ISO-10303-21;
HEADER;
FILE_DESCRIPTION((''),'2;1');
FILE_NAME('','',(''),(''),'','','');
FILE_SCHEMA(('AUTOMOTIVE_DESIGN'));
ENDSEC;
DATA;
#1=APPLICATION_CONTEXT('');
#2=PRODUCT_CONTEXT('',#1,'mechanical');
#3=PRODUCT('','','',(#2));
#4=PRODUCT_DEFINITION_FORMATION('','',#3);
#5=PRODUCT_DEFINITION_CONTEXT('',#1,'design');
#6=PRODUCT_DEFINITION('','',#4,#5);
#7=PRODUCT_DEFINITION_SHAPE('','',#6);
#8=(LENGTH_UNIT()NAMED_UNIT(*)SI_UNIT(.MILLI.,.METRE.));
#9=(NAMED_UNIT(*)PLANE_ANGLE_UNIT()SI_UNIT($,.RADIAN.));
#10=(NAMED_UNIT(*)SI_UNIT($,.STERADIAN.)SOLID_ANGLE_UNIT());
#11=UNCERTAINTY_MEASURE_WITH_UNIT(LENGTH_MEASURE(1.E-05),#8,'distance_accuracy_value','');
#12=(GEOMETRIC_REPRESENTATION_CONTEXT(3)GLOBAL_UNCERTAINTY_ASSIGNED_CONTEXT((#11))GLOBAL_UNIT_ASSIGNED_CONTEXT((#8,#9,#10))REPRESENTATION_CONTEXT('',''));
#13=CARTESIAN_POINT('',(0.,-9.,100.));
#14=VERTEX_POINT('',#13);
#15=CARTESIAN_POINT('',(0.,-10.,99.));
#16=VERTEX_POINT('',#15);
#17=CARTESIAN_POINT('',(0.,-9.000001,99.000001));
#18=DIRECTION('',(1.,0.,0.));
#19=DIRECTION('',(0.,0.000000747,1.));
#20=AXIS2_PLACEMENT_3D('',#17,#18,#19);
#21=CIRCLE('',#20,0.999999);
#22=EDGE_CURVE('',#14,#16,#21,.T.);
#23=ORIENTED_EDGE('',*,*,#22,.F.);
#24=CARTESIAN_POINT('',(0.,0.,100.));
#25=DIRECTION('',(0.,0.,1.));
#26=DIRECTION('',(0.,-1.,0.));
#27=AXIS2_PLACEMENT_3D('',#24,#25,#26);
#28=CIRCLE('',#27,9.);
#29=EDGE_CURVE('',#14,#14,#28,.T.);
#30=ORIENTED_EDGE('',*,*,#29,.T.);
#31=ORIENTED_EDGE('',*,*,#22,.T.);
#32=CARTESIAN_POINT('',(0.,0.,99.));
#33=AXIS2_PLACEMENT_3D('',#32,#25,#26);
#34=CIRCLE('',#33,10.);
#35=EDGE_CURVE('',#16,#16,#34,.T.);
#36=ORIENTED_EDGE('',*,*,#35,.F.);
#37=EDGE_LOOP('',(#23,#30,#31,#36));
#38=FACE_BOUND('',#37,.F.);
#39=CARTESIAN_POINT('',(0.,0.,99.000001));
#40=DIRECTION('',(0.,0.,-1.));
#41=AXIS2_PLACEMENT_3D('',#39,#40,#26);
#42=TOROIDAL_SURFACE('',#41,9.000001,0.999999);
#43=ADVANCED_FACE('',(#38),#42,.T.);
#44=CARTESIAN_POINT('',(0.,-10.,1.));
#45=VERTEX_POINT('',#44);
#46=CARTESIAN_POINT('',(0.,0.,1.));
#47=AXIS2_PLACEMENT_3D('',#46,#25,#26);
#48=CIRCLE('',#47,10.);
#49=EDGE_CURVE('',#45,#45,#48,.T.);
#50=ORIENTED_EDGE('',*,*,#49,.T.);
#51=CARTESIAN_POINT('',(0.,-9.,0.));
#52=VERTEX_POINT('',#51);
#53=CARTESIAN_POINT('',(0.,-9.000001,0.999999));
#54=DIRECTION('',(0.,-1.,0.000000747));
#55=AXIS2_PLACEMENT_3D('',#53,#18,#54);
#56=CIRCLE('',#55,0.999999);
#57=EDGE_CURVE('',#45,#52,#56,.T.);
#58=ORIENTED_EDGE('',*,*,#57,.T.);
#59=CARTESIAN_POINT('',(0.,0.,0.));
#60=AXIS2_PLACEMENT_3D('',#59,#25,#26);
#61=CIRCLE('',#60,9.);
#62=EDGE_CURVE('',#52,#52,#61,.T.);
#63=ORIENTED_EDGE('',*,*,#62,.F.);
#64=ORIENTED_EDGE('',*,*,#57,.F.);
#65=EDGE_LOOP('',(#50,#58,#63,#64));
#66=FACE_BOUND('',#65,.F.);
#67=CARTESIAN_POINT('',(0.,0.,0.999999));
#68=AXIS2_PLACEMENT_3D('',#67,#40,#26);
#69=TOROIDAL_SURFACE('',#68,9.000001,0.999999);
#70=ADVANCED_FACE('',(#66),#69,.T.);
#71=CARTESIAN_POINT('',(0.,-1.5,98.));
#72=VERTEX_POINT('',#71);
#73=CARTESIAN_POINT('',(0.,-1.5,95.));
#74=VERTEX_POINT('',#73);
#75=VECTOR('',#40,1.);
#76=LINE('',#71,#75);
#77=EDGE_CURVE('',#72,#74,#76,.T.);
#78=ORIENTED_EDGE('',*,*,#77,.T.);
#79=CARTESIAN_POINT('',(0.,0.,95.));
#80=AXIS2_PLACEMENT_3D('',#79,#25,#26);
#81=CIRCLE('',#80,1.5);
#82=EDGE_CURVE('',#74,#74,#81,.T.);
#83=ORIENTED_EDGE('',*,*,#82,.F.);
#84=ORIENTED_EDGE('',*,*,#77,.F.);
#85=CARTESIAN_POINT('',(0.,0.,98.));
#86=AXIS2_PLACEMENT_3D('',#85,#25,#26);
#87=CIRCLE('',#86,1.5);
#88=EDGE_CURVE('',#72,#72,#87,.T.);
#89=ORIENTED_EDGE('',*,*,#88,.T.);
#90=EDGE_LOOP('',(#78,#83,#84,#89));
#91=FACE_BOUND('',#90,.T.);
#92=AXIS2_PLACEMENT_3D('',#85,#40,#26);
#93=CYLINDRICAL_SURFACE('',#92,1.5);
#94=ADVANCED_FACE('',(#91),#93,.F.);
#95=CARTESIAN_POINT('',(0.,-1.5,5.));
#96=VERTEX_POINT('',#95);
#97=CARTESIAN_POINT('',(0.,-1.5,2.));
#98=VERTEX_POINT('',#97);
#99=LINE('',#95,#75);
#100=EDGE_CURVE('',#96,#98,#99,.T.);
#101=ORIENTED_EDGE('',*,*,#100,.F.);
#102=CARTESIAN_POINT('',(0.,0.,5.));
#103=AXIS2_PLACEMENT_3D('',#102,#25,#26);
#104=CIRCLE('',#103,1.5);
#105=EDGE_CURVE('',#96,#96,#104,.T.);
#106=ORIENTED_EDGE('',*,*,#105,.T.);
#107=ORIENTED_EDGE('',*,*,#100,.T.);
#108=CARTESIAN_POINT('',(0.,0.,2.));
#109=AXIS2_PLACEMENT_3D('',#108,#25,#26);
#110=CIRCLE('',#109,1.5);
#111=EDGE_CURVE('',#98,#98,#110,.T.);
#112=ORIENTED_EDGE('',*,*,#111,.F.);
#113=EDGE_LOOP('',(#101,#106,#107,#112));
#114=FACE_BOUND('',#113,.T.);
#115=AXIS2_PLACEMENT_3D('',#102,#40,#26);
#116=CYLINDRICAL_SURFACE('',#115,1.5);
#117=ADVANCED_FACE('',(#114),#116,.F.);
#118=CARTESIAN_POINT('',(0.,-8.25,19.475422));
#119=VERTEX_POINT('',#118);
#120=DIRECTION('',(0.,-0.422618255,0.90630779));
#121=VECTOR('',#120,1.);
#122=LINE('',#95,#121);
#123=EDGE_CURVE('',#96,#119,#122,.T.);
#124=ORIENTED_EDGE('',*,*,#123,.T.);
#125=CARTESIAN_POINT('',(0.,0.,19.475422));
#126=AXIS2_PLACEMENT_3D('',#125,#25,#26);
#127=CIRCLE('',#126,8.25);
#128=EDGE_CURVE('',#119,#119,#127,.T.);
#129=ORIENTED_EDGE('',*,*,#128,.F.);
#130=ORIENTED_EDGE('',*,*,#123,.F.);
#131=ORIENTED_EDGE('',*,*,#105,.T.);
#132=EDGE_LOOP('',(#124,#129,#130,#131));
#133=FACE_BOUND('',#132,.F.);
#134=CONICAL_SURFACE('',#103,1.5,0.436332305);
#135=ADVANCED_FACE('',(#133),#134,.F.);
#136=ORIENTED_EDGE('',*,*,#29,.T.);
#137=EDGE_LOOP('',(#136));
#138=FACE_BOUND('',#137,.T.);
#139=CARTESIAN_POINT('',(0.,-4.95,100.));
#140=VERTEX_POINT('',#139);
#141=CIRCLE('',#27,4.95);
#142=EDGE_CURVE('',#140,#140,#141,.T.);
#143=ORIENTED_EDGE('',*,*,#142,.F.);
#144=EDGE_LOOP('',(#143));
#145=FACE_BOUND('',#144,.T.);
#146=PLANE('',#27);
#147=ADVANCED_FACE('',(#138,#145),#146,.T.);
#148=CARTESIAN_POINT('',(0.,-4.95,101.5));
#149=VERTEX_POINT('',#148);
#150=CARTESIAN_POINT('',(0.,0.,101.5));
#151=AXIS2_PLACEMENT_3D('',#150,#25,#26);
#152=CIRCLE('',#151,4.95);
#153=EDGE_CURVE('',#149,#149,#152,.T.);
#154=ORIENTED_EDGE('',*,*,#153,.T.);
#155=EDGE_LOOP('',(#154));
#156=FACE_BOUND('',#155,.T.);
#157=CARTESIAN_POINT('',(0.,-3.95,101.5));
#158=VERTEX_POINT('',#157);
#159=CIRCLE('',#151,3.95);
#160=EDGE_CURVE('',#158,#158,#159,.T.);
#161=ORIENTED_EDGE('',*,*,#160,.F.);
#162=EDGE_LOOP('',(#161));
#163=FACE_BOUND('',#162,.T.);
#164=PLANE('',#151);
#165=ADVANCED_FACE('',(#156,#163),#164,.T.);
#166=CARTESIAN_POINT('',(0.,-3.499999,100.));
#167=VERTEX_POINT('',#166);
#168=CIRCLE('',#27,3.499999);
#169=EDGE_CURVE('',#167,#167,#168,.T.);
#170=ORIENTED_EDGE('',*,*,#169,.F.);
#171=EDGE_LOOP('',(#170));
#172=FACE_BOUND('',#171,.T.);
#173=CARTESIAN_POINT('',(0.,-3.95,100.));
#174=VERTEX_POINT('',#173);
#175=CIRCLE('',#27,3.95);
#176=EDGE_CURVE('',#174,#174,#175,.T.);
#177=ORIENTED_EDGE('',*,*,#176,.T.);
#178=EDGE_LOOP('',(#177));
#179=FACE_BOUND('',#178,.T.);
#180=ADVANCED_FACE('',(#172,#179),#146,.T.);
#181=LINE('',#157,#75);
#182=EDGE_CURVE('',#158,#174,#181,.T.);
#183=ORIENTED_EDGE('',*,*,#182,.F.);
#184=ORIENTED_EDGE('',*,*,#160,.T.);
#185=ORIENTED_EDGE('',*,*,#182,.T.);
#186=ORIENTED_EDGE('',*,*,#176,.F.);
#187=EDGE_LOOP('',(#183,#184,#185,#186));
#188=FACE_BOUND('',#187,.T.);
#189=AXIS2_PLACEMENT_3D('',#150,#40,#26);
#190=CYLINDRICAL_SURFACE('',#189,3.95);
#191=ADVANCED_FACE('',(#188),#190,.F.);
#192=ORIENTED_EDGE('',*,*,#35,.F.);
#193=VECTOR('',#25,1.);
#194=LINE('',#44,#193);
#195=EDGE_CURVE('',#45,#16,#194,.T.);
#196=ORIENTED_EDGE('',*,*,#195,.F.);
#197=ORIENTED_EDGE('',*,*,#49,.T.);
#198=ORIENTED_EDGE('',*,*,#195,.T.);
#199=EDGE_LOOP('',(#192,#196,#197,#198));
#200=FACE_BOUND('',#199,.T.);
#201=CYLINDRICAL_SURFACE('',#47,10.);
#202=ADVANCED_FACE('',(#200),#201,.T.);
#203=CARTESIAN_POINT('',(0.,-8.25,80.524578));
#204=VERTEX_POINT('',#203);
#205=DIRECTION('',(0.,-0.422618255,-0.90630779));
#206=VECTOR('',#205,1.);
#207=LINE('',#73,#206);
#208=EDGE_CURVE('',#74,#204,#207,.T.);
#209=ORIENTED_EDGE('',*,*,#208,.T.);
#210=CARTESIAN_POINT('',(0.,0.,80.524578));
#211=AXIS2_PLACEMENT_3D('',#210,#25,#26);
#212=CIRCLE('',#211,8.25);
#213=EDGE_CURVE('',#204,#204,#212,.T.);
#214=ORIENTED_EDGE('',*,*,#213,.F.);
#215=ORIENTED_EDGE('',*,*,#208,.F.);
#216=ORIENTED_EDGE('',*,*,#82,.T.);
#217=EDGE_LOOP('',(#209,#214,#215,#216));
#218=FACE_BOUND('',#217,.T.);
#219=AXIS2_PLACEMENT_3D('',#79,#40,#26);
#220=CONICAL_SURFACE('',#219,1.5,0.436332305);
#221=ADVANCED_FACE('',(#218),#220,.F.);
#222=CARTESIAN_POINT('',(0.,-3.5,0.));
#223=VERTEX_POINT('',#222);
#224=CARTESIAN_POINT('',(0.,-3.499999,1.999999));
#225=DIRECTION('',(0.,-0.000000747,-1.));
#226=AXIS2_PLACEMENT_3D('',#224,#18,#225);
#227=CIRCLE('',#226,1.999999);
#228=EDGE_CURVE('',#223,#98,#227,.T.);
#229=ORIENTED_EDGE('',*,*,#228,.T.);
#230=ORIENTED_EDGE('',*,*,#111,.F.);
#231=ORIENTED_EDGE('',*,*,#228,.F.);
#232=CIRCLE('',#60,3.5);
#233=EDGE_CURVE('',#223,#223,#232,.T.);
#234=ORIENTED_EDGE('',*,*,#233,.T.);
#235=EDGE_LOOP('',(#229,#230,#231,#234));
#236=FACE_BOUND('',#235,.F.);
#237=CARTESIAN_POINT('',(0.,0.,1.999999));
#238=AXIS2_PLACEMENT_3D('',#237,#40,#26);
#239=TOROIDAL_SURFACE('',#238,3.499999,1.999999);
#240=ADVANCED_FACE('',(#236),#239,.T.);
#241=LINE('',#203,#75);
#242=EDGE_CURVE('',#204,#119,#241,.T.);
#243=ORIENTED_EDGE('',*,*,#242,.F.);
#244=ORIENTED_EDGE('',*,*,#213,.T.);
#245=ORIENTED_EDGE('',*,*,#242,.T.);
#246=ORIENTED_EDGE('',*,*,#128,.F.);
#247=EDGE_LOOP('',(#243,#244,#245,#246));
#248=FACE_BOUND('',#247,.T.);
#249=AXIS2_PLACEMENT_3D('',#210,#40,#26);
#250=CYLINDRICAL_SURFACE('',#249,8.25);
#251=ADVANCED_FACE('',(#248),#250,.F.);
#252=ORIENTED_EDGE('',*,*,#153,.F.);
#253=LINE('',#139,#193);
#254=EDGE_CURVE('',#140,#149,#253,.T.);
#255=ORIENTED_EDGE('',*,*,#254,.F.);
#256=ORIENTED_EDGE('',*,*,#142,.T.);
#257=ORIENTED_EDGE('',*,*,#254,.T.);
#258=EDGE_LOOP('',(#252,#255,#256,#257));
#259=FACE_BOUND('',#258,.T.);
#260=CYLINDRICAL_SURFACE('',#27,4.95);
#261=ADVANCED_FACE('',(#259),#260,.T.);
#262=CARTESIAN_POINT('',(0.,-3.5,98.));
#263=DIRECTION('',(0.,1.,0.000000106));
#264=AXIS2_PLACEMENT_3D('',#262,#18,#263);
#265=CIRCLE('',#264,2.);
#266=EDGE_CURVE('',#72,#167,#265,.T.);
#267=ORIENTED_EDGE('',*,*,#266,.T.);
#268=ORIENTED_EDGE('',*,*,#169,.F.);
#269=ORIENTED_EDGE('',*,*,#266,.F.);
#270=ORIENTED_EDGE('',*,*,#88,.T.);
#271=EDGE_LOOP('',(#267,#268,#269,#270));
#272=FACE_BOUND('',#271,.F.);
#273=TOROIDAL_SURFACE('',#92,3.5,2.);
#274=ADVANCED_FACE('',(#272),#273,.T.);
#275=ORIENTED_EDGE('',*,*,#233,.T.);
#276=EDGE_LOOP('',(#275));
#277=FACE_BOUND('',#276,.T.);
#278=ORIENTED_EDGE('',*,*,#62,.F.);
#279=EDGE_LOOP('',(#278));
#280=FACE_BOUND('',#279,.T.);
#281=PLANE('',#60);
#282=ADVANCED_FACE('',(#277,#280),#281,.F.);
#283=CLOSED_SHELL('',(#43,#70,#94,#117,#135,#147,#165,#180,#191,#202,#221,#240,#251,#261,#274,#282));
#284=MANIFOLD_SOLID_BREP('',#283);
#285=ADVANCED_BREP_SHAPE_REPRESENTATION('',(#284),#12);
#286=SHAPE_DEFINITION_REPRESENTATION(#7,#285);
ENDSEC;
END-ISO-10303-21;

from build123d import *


with BuildPart() as part:
    # Sketch → Revolution (revolve)
    with BuildSketch(Plane.YZ):
        with BuildLine():
            Line((-1.5, 5), (-1.5, 2))
            ThreePointArc((-3.5, 0), (-2.085786, 0.585786), (-1.5, 2))
            Line((-3.5, 0), (-9, 0))
            ThreePointArc((-10, 1), (-9.707107, 0.292893), (-9, 0))
            Line((-10, 1), (-10, 99))
            ThreePointArc((-9, 100), (-9.707107, 99.707107), (-10, 99))
            Line((-9, 100), (-4.95, 100))
            Line((-4.95, 100), (-4.95, 101.5))
            Line((-4.95, 101.5), (-3.95, 101.5))
            Line((-3.95, 101.5), (-3.95, 100))
            Line((-3.95, 100), (-3.499999, 100))
            ThreePointArc((-1.5, 98), (-2.085786, 99.414213), (-3.499999, 100))
            Line((-1.5, 98), (-1.5, 95))
            Line((-1.5, 95), (-8.25, 80.524578))
            Line((-8.25, 80.524578), (-8.25, 19.475422))
            Line((-1.5, 5), (-8.25, 19.475422))
        make_face()
    revolve(axis=Axis((0, 0, 0), (0, 0, 1)))


solid = part.part
